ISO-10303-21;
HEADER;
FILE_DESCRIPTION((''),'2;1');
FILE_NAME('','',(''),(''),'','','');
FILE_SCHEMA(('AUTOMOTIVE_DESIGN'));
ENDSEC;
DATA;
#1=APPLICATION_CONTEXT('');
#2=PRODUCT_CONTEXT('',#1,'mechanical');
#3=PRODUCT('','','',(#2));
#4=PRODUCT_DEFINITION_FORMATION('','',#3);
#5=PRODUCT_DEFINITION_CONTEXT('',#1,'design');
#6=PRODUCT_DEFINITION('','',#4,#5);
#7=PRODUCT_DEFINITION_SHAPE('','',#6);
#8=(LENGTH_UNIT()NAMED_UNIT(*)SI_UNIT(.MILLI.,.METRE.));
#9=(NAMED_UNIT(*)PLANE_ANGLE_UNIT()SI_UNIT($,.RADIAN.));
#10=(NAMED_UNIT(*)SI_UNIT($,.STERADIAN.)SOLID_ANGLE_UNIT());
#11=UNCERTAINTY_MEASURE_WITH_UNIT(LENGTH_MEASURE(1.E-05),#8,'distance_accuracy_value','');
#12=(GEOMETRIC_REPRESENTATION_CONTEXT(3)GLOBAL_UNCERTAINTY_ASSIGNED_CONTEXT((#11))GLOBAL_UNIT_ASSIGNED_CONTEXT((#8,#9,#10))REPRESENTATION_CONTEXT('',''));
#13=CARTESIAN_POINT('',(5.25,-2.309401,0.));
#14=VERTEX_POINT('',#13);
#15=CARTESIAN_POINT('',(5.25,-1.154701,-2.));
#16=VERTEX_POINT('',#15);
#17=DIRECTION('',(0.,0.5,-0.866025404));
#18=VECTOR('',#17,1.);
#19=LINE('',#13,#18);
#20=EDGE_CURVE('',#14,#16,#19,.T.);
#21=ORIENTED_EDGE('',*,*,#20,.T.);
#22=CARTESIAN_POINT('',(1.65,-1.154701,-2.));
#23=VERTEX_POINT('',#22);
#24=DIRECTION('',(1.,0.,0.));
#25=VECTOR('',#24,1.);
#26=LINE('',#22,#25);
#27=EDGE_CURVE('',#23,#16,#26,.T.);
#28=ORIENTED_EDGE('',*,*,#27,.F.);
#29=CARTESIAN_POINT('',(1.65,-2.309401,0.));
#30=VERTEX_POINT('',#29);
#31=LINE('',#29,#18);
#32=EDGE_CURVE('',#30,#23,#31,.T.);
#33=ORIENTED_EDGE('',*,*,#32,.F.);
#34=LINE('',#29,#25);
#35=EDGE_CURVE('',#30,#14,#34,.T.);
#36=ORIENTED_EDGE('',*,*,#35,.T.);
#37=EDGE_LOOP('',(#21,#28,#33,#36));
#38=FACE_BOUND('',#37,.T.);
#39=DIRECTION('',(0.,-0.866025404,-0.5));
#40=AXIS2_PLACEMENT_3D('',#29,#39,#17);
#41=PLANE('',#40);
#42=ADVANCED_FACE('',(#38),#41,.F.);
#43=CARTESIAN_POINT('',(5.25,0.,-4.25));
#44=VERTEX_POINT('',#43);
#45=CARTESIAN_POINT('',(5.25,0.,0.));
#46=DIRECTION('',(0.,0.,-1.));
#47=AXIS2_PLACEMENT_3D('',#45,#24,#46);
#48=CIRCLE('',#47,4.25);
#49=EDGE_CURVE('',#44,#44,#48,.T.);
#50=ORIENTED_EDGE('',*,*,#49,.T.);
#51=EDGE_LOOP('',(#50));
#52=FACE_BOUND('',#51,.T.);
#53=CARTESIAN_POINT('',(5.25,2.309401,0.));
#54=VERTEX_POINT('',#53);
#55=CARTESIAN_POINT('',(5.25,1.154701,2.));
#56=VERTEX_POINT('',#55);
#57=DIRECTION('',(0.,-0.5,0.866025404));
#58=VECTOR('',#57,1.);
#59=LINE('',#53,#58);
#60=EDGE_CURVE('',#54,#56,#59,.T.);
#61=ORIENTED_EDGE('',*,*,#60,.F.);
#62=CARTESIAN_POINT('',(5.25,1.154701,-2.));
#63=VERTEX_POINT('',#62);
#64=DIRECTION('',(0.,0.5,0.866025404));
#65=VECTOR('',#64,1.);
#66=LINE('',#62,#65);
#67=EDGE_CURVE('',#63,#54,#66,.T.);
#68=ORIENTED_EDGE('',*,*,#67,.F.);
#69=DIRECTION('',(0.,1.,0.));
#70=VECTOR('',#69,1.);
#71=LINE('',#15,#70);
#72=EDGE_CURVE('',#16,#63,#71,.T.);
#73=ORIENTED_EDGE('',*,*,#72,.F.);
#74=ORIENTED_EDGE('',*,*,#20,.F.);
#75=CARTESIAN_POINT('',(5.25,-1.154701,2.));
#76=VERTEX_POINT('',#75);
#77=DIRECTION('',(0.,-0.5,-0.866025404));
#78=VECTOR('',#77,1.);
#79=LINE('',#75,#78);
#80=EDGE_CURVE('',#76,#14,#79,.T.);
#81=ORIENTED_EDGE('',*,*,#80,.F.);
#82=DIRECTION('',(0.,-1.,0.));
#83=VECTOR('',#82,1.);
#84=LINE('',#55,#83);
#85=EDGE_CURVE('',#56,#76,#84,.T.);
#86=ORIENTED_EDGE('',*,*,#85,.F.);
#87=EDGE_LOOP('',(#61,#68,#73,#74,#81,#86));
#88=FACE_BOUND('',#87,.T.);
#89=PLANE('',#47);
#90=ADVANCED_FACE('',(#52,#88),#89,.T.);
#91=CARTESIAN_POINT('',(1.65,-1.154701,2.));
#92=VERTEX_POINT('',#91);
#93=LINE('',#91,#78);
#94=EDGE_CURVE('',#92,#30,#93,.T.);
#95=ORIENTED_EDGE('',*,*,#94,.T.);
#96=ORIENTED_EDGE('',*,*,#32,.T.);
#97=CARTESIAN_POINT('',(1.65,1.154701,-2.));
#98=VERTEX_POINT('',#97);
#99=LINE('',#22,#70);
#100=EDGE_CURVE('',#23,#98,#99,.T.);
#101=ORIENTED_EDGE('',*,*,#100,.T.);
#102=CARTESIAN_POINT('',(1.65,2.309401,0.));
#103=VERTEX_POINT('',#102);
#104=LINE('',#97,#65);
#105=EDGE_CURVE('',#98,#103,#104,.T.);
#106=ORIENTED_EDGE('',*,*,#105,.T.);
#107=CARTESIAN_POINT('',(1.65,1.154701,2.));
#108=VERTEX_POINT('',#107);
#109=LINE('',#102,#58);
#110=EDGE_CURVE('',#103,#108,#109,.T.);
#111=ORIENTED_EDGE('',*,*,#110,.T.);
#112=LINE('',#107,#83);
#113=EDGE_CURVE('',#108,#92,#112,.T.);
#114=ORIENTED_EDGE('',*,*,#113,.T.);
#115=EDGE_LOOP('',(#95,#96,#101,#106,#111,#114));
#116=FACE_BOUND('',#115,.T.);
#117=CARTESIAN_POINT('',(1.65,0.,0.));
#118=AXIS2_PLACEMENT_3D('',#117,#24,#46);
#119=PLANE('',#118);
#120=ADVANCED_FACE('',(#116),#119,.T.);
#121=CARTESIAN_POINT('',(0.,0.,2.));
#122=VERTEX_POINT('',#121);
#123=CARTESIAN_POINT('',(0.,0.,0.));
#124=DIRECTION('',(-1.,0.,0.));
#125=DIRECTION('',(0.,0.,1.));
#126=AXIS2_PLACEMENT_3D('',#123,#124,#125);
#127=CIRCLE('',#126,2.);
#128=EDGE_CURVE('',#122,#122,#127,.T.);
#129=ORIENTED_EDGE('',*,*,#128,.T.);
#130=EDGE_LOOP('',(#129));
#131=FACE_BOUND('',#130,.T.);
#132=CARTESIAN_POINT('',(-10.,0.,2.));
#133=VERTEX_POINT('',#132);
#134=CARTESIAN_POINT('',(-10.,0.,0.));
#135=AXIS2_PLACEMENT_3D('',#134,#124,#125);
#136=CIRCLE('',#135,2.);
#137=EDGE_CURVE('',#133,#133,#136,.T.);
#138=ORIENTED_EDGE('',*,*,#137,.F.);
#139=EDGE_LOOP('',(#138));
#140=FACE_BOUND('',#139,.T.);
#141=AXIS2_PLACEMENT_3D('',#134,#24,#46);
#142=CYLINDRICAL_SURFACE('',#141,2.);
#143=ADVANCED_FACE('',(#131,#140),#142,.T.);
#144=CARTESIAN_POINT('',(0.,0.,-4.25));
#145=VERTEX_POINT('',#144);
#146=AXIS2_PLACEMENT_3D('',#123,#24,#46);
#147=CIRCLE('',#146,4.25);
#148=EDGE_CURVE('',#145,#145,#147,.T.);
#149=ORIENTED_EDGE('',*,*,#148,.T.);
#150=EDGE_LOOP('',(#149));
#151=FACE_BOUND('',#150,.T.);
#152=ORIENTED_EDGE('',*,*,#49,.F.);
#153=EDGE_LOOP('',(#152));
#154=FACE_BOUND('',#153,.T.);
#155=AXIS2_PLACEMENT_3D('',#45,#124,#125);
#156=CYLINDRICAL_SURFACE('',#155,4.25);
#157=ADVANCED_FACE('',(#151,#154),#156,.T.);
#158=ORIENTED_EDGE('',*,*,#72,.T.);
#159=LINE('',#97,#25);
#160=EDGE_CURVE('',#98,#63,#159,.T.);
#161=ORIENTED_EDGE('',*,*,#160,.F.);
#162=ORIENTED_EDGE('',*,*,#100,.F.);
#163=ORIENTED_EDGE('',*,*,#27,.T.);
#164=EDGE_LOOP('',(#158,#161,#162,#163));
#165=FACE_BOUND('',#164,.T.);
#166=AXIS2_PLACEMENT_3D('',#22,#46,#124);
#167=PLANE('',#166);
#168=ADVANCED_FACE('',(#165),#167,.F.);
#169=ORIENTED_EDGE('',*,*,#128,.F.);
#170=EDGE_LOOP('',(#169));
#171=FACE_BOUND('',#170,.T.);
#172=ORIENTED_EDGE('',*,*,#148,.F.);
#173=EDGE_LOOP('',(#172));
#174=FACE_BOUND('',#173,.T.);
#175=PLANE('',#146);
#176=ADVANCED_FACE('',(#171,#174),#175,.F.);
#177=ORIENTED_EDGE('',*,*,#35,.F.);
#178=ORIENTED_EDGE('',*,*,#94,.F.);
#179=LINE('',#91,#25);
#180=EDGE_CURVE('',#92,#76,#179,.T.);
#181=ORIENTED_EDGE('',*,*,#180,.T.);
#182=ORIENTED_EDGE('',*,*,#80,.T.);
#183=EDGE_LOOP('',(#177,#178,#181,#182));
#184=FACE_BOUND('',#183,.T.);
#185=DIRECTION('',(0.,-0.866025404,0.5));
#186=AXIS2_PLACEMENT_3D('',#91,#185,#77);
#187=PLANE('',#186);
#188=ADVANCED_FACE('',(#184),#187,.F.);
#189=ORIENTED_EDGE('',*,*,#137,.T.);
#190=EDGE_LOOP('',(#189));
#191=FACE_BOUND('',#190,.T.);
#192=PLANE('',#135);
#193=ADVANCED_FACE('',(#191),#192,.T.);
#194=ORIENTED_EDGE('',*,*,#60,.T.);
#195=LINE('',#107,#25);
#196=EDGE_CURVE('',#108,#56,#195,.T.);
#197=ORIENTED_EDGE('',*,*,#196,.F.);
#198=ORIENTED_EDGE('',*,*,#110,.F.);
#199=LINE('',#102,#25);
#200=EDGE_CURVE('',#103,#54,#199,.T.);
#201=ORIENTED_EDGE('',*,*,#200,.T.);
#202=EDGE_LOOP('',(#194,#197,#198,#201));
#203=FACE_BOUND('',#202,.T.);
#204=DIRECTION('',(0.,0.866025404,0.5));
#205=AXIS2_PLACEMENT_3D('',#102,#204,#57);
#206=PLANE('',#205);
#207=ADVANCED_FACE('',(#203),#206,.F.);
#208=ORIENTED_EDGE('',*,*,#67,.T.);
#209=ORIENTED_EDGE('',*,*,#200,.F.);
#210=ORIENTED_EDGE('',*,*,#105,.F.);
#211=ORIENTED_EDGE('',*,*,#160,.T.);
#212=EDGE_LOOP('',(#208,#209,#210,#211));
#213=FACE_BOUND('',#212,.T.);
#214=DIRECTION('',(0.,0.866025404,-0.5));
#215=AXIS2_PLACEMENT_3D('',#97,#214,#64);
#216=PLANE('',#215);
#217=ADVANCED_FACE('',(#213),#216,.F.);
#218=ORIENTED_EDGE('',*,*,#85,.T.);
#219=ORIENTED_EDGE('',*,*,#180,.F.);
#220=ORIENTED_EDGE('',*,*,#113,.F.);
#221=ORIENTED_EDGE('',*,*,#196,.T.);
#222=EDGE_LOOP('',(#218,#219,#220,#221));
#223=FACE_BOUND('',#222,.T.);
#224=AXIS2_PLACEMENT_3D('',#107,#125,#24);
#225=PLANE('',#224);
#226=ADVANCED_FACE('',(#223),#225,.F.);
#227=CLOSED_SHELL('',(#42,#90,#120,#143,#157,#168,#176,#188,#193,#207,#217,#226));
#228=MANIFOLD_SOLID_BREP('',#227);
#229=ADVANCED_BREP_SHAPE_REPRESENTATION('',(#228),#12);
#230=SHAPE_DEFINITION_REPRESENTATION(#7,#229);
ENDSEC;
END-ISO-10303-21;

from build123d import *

# Parameters (mm, degrees)
SKETCH1_R           = 4.25
BOSS_EXTRUDE1_DEPTH = 5.25
CUT_EXTRUDE1_DEPTH  = 3.6
SKETCH3_R           = 2
BOSS_EXTRUDE2_DEPTH = 10


with BuildPart() as part:
    # Sketch1 → Boss-Extrude1 (new body)
    with BuildSketch(Plane(origin=(0, 0, 0), x_dir=(0, 0, -1), z_dir=(1, 0, 0))):
        Circle(SKETCH1_R)
    extrude(amount=BOSS_EXTRUDE1_DEPTH)

    # Sketch2 → Cut-Extrude1 (cut)
    with BuildSketch(Plane(origin=(5.25, 0, 0), x_dir=(0, 0, -1), z_dir=(1, 0, 0))):
        Polygon((0, 2.309401077), (-2, 1.154700538), (-2, -1.154700538), (0, -2.309401077), (2, -1.154700538), (2, 1.154700538), align=None)
    extrude(amount=-CUT_EXTRUDE1_DEPTH, mode=Mode.SUBTRACT)

    # Sketch3 → Boss-Extrude2 (add)
    with BuildSketch(Plane.ZY):
        Circle(SKETCH3_R)
    extrude(amount=BOSS_EXTRUDE2_DEPTH)


solid = part.part
